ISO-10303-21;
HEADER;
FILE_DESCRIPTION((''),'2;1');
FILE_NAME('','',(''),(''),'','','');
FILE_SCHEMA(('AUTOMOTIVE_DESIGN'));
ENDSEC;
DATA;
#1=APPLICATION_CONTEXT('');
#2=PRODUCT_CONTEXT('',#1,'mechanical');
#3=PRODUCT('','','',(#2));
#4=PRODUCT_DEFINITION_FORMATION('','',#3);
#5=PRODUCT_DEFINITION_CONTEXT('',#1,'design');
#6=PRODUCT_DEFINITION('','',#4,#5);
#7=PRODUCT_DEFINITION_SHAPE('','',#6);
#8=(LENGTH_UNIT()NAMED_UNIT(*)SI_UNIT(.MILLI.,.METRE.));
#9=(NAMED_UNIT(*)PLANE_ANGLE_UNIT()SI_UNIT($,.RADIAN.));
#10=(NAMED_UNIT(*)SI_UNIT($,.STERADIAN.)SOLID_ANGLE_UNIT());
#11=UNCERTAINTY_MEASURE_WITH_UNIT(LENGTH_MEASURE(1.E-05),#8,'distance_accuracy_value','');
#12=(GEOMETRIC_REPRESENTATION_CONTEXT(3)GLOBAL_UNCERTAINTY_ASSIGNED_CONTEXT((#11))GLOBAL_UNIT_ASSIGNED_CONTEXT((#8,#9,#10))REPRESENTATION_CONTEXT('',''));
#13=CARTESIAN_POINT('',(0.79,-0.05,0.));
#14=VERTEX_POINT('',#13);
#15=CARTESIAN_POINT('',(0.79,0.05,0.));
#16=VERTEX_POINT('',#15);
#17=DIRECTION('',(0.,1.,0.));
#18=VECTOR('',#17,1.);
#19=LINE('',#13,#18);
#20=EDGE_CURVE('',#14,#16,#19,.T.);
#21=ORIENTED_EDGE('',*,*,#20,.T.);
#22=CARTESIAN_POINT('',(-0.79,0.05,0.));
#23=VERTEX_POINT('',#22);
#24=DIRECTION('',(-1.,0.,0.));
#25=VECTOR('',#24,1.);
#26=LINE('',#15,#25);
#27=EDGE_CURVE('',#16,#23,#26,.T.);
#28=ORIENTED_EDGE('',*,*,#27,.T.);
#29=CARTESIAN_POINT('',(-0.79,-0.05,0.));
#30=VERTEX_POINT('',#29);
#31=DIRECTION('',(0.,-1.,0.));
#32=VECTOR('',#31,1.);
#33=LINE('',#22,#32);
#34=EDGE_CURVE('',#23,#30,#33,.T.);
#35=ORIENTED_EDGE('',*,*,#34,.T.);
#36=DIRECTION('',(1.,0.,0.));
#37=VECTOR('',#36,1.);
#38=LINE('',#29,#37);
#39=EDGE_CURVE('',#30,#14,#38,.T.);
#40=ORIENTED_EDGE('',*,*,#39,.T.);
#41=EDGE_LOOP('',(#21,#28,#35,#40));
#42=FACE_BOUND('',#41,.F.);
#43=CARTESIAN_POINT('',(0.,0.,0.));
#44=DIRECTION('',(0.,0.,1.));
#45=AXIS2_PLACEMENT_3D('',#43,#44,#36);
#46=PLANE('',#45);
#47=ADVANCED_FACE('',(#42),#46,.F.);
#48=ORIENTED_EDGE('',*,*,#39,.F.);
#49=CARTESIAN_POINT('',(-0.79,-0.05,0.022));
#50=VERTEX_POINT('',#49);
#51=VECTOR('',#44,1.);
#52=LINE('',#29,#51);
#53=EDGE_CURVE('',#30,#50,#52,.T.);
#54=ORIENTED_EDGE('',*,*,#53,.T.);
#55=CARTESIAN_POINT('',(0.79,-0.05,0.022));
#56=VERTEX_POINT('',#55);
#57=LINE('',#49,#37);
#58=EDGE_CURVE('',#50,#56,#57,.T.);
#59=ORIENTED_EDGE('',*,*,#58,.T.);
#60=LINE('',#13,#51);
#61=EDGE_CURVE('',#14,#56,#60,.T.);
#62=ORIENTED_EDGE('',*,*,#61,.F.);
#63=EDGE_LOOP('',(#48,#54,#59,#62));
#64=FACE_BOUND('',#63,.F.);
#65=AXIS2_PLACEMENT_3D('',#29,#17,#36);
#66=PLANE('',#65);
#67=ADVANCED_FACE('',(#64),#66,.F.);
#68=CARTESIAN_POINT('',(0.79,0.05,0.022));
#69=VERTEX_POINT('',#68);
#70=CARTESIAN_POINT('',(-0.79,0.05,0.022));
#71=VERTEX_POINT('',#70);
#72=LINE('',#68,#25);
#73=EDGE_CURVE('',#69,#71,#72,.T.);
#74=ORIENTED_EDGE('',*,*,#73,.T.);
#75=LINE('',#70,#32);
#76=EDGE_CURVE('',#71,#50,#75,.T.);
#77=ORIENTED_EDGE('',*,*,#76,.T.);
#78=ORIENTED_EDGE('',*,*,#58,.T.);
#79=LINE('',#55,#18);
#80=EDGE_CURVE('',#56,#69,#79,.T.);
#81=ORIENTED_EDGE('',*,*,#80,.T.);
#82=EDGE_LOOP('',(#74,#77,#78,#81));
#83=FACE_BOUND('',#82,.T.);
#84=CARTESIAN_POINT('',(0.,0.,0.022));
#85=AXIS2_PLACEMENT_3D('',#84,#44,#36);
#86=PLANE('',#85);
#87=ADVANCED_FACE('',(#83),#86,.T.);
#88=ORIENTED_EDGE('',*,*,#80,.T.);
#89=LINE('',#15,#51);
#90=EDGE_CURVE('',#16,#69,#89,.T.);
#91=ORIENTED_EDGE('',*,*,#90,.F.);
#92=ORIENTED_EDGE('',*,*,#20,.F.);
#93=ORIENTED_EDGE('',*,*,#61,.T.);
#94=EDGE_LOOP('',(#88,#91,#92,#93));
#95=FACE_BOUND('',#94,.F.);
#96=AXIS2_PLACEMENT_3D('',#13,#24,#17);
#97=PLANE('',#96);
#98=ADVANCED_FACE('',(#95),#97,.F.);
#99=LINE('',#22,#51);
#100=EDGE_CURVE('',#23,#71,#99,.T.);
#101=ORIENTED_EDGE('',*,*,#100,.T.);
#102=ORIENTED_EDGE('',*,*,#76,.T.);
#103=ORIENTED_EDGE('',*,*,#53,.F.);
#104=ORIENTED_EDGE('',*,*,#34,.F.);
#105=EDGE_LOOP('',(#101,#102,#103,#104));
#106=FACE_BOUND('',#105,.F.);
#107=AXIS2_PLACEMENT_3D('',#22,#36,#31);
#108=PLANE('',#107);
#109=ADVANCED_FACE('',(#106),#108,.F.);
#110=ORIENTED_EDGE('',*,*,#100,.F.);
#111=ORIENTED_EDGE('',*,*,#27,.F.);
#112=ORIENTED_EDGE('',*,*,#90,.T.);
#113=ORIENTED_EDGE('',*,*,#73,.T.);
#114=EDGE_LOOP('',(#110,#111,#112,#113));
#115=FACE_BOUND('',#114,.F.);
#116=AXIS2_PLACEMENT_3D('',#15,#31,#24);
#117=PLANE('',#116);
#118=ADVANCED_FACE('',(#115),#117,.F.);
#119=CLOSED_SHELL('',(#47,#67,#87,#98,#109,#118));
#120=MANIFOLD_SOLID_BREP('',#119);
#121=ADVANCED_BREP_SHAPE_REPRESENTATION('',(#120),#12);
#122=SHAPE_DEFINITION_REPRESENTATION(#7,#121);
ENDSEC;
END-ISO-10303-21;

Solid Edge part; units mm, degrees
sketch "Sketch1" plane through (0, 0, 0) normal (0, 0, 1) x (1, 0, 0)
  line L0 (-0.79, -0.05) -> (0.79, -0.05)
  line L1 (0.79, -0.05) -> (0.79, 0.05)
  line L2 (0.79, 0.05) -> (-0.79, 0.05)
  line L3 (-0.79, 0.05) -> (-0.79, -0.05)
  dimension "D1" = 1.58
  dimension "D2" = 0.1
extrude "Protrusion1" add sketch "Sketch1" along normal blind 0.022
